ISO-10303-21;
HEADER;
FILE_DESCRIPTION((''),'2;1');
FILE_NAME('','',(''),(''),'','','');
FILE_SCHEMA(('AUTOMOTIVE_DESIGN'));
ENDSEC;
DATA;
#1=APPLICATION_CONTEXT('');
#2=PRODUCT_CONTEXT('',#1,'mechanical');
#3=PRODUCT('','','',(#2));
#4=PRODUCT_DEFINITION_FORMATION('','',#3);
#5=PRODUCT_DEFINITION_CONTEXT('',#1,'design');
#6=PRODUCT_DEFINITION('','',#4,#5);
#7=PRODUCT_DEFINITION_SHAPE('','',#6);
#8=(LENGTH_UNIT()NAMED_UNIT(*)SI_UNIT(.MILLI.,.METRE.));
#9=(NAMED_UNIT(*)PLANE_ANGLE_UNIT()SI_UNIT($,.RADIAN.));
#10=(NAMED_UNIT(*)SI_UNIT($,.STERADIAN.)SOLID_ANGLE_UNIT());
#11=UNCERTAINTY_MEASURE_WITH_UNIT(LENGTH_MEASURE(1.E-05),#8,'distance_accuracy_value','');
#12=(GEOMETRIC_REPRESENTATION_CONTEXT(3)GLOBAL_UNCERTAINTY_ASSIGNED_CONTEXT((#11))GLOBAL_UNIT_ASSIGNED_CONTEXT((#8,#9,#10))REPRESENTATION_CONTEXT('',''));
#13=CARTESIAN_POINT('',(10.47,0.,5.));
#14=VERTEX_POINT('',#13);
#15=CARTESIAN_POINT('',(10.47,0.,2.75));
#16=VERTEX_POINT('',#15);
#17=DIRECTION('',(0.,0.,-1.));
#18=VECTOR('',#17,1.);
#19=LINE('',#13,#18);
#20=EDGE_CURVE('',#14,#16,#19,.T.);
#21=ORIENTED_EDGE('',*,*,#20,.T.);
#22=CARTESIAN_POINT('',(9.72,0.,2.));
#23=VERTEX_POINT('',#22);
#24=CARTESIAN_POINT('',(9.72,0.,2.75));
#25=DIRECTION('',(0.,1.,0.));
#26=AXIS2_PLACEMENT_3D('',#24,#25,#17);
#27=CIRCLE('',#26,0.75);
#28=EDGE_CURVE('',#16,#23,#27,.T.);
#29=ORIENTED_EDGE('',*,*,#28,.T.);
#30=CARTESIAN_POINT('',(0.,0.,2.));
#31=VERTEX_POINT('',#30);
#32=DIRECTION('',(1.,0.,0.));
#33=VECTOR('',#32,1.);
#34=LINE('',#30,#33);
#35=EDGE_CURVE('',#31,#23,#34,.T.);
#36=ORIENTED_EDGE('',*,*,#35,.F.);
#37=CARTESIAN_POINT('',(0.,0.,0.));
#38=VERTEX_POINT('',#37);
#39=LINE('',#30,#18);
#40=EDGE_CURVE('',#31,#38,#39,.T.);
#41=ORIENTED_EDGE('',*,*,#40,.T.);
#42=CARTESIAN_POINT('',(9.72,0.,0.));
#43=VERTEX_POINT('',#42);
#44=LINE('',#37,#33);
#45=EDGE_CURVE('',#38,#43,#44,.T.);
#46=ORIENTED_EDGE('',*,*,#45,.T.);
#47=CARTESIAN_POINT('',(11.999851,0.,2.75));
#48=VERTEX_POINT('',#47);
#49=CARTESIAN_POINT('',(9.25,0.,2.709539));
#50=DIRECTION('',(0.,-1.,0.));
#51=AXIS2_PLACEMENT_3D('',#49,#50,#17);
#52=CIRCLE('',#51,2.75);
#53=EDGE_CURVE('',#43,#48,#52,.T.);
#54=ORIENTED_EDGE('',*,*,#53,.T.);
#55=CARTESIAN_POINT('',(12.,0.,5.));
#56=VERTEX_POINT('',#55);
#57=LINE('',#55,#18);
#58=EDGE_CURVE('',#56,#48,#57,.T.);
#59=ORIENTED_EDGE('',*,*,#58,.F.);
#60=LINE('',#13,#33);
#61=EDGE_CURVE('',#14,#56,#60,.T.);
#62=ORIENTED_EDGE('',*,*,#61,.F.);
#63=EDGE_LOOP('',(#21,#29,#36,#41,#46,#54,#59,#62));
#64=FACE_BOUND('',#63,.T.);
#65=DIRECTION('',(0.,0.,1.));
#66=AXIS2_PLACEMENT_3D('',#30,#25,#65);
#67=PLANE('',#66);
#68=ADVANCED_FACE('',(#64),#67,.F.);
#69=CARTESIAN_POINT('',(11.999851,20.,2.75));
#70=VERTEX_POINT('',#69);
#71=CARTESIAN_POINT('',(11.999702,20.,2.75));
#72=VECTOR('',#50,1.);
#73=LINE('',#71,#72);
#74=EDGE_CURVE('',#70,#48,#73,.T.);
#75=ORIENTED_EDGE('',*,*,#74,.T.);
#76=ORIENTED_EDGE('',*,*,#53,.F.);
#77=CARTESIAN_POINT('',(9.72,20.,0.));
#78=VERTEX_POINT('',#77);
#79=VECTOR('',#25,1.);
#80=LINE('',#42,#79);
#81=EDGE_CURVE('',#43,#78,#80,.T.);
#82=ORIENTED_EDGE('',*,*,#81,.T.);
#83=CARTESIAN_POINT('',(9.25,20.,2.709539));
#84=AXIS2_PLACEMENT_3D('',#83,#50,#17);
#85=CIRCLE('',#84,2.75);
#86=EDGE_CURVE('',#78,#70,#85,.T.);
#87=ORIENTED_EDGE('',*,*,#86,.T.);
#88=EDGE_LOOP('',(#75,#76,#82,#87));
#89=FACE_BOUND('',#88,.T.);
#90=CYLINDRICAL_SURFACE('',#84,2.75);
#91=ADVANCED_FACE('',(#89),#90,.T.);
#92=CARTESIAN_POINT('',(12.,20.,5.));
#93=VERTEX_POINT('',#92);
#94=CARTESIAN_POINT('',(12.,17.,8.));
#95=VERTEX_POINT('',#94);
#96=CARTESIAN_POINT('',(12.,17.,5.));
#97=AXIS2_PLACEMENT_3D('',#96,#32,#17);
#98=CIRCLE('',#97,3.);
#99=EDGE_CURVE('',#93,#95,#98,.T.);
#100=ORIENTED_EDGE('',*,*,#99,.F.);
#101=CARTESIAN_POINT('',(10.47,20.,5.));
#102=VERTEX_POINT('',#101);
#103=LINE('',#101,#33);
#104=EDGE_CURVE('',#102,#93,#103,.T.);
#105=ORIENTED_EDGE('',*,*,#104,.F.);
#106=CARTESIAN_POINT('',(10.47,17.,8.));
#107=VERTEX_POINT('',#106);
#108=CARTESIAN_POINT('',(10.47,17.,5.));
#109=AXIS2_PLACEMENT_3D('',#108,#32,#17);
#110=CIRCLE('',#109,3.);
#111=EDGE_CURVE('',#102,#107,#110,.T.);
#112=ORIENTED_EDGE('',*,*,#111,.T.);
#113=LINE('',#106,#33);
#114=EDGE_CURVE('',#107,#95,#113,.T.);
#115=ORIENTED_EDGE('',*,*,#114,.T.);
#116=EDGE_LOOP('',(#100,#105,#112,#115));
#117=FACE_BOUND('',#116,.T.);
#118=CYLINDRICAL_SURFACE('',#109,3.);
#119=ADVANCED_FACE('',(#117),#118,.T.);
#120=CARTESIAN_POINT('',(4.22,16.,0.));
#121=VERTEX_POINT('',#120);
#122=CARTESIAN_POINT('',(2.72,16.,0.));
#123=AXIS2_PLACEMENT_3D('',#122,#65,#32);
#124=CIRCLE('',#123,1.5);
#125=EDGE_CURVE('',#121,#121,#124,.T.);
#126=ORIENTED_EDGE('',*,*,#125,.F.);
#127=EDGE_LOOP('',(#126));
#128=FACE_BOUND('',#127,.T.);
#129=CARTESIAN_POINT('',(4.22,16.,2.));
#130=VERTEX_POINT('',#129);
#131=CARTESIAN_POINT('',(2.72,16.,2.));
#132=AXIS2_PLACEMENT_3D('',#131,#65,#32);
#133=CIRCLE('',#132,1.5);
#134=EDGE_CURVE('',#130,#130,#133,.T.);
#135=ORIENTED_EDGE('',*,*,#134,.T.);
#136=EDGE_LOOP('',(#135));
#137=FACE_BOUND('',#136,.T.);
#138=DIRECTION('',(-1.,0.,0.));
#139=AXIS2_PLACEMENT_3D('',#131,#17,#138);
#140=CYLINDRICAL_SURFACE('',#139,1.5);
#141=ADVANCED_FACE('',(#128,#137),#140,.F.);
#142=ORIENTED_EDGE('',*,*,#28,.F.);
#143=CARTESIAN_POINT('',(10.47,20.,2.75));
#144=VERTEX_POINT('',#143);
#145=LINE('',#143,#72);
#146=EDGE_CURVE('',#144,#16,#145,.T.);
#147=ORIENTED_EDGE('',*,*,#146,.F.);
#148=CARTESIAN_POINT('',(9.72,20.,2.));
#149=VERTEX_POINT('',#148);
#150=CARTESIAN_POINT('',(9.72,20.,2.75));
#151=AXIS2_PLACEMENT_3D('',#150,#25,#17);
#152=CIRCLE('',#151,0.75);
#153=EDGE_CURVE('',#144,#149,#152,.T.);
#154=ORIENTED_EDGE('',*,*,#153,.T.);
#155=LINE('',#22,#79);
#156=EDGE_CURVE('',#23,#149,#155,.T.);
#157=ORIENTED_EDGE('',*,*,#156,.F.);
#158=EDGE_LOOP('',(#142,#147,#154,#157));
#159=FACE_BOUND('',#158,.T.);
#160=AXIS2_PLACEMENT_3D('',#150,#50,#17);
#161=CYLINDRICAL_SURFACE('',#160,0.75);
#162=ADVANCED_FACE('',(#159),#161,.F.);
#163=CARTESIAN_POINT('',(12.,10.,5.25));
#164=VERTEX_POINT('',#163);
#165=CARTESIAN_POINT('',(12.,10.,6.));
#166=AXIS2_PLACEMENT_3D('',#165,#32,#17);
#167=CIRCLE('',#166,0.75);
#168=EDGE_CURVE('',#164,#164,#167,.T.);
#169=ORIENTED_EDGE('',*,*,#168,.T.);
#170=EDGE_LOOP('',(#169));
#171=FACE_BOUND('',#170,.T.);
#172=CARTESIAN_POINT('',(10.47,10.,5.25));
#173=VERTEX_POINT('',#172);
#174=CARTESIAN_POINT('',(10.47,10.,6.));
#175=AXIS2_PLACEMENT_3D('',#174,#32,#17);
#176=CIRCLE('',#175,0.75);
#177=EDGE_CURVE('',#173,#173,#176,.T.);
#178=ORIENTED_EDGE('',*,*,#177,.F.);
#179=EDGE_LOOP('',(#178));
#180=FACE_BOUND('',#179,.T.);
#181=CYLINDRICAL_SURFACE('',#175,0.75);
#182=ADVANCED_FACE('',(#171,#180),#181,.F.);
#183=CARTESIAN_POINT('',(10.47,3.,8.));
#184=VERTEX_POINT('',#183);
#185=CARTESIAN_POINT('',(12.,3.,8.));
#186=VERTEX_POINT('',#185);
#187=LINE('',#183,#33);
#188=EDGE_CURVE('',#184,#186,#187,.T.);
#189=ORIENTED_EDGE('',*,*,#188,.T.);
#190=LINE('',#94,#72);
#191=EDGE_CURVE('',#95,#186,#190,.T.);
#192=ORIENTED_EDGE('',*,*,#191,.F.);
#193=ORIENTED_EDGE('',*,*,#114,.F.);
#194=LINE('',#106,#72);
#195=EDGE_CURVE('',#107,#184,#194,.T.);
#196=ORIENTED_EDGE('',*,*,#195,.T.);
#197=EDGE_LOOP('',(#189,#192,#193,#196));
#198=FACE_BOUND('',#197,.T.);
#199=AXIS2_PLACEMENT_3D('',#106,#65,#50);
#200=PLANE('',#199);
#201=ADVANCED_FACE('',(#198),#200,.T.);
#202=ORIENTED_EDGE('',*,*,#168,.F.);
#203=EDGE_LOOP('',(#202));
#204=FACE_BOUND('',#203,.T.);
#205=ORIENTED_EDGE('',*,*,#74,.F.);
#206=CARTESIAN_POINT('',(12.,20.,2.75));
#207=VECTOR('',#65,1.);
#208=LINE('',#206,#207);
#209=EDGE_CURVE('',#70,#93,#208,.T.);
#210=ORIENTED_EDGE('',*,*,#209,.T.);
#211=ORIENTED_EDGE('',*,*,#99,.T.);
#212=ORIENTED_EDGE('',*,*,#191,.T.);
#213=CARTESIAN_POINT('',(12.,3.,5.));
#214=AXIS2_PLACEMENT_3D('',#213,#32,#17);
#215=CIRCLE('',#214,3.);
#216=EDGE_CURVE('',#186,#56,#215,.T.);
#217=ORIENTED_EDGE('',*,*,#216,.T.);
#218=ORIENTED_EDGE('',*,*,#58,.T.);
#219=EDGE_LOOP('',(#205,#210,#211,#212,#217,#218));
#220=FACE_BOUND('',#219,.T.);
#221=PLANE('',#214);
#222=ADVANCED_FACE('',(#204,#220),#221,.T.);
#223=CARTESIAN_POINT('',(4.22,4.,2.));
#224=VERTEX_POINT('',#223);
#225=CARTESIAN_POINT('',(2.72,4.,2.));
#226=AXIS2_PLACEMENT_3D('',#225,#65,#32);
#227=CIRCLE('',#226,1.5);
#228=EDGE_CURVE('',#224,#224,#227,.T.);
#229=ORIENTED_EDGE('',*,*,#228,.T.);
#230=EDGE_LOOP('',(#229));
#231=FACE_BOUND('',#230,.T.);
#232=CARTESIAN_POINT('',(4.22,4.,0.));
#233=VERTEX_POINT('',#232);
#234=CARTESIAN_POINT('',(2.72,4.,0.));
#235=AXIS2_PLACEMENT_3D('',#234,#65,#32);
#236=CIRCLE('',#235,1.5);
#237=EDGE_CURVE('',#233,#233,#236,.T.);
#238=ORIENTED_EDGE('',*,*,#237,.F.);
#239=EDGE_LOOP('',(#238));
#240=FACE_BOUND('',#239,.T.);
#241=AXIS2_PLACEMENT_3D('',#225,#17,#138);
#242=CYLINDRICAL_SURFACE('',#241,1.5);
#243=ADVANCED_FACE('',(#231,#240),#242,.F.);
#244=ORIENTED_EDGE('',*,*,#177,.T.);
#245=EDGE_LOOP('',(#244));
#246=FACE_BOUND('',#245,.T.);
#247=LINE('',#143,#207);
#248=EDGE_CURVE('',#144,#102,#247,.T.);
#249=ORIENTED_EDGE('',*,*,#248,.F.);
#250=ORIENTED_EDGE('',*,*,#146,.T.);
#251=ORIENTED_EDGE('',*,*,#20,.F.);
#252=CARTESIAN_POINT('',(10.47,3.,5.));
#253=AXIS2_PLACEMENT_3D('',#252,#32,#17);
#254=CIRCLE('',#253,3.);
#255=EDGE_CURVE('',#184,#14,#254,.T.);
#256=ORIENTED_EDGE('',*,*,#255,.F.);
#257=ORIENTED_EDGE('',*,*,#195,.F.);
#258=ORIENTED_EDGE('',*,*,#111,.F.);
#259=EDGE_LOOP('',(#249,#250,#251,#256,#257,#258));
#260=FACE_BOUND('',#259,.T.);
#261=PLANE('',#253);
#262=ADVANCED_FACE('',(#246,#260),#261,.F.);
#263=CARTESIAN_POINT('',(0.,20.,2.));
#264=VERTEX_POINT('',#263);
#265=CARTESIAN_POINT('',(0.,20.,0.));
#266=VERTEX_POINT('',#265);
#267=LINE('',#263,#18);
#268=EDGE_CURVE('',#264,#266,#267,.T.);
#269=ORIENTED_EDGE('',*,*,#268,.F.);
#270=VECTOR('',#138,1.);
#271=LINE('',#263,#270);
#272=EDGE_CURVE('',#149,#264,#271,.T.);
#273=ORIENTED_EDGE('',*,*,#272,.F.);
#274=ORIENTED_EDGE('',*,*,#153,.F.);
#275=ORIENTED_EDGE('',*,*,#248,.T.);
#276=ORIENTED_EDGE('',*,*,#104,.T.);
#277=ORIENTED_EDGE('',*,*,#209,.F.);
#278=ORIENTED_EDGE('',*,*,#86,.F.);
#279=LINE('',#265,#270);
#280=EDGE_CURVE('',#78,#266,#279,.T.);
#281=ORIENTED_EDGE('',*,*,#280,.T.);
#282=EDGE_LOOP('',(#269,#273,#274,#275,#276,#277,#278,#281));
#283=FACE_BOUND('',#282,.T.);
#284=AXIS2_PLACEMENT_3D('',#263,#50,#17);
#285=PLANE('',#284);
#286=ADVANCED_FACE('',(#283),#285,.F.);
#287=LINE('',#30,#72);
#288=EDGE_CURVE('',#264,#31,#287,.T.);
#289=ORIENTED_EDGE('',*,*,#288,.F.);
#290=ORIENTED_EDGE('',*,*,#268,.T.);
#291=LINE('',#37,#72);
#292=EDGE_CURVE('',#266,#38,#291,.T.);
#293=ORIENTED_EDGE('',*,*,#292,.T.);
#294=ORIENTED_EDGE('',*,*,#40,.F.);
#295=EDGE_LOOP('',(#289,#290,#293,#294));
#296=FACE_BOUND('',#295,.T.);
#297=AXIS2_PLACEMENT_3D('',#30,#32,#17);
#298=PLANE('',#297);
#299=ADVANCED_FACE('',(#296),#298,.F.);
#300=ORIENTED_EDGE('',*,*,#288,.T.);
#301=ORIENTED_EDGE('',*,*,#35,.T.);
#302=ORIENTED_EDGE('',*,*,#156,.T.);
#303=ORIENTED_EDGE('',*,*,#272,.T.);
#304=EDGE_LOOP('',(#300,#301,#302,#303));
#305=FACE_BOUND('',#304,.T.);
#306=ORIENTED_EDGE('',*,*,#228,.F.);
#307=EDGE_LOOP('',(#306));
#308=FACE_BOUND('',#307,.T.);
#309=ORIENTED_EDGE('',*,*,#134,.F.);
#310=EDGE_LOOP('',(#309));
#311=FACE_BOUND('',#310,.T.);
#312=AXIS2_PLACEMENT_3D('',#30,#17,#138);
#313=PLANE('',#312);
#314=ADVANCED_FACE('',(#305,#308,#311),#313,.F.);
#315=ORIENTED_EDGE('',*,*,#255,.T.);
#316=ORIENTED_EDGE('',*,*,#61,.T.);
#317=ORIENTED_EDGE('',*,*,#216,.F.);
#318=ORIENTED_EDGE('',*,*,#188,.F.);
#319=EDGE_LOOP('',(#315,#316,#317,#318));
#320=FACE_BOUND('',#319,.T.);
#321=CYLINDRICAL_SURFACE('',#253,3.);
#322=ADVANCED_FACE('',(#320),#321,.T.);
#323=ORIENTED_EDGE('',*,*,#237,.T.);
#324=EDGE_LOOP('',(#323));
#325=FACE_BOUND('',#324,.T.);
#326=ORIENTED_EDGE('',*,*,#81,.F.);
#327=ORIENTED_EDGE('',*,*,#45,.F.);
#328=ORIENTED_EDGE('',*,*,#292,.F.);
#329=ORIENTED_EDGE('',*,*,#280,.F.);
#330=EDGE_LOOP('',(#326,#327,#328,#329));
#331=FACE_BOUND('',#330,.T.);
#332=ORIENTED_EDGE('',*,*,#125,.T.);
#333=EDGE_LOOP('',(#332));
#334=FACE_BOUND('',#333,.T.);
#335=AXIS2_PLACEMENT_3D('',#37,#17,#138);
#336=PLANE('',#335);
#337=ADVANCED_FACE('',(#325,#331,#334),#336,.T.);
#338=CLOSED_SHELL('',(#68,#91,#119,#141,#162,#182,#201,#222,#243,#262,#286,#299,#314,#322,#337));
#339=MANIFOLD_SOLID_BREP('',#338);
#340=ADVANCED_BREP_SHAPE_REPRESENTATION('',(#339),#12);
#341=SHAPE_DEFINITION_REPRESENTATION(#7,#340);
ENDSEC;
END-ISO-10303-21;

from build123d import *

# Parameters (mm, degrees)
SKETCH1_W           = 9.72
SKETCH1_H           = 20
SKETCH1_R           = 1.5
BOSS_EXTRUDE1_DEPTH = 2
BOSS_EXTRUDE2_DEPTH = 20
SKETCH3_R           = 0.75
BOSS_EXTRUDE3_DEPTH = 1.53


with BuildPart() as part:
    # Sketch1 → Boss-Extrude1 (new body)
    with BuildSketch(Plane.XY):
        with Locations((4.86, 10)):
            Rectangle(SKETCH1_W, SKETCH1_H)
        with Locations((2.72, 16)):
            Circle(SKETCH1_R, mode=Mode.SUBTRACT)
        with Locations((2.72, 4)):
            Circle(SKETCH1_R, mode=Mode.SUBTRACT)
    extrude(amount=BOSS_EXTRUDE1_DEPTH)

    # Sketch2 → Boss-Extrude2 (add)
    with BuildSketch(Plane.XZ):
        with BuildLine():
            Line((9.72, 2), (9.72, 0))
            ThreePointArc((9.72, 0), (11.367131495, 0.954473399), (11.999702326, 2.75))
            Line((11.999702326, 2.75), (10.47, 2.75))
            ThreePointArc((10.47, 2.75), (10.250330086, 2.219669914), (9.72, 2))
        make_face()
    extrude(amount=-BOSS_EXTRUDE2_DEPTH)

    # Sketch3 → Boss-Extrude3 (add)
    with BuildSketch(Plane(origin=(12, 0, 0), x_dir=(0, 0, -1), z_dir=(1, 0, 0))):
        with BuildLine():
            Line((-2.75, 20), (-5, 20))
            ThreePointArc((-5, 20), (-7.121320344, 19.121320344), (-8, 17))
            Line((-8, 17), (-8, 3))
            ThreePointArc((-8, 3), (-7.121320344, 0.878679656), (-5, 0))
            Line((-5, 0), (-2.75, 0))
            Line((-2.75, 0), (-2.75, 20))
        make_face()
        with Locations((-6, 10)):
            Circle(SKETCH3_R, mode=Mode.SUBTRACT)
    extrude(amount=-BOSS_EXTRUDE3_DEPTH)


solid = part.part
